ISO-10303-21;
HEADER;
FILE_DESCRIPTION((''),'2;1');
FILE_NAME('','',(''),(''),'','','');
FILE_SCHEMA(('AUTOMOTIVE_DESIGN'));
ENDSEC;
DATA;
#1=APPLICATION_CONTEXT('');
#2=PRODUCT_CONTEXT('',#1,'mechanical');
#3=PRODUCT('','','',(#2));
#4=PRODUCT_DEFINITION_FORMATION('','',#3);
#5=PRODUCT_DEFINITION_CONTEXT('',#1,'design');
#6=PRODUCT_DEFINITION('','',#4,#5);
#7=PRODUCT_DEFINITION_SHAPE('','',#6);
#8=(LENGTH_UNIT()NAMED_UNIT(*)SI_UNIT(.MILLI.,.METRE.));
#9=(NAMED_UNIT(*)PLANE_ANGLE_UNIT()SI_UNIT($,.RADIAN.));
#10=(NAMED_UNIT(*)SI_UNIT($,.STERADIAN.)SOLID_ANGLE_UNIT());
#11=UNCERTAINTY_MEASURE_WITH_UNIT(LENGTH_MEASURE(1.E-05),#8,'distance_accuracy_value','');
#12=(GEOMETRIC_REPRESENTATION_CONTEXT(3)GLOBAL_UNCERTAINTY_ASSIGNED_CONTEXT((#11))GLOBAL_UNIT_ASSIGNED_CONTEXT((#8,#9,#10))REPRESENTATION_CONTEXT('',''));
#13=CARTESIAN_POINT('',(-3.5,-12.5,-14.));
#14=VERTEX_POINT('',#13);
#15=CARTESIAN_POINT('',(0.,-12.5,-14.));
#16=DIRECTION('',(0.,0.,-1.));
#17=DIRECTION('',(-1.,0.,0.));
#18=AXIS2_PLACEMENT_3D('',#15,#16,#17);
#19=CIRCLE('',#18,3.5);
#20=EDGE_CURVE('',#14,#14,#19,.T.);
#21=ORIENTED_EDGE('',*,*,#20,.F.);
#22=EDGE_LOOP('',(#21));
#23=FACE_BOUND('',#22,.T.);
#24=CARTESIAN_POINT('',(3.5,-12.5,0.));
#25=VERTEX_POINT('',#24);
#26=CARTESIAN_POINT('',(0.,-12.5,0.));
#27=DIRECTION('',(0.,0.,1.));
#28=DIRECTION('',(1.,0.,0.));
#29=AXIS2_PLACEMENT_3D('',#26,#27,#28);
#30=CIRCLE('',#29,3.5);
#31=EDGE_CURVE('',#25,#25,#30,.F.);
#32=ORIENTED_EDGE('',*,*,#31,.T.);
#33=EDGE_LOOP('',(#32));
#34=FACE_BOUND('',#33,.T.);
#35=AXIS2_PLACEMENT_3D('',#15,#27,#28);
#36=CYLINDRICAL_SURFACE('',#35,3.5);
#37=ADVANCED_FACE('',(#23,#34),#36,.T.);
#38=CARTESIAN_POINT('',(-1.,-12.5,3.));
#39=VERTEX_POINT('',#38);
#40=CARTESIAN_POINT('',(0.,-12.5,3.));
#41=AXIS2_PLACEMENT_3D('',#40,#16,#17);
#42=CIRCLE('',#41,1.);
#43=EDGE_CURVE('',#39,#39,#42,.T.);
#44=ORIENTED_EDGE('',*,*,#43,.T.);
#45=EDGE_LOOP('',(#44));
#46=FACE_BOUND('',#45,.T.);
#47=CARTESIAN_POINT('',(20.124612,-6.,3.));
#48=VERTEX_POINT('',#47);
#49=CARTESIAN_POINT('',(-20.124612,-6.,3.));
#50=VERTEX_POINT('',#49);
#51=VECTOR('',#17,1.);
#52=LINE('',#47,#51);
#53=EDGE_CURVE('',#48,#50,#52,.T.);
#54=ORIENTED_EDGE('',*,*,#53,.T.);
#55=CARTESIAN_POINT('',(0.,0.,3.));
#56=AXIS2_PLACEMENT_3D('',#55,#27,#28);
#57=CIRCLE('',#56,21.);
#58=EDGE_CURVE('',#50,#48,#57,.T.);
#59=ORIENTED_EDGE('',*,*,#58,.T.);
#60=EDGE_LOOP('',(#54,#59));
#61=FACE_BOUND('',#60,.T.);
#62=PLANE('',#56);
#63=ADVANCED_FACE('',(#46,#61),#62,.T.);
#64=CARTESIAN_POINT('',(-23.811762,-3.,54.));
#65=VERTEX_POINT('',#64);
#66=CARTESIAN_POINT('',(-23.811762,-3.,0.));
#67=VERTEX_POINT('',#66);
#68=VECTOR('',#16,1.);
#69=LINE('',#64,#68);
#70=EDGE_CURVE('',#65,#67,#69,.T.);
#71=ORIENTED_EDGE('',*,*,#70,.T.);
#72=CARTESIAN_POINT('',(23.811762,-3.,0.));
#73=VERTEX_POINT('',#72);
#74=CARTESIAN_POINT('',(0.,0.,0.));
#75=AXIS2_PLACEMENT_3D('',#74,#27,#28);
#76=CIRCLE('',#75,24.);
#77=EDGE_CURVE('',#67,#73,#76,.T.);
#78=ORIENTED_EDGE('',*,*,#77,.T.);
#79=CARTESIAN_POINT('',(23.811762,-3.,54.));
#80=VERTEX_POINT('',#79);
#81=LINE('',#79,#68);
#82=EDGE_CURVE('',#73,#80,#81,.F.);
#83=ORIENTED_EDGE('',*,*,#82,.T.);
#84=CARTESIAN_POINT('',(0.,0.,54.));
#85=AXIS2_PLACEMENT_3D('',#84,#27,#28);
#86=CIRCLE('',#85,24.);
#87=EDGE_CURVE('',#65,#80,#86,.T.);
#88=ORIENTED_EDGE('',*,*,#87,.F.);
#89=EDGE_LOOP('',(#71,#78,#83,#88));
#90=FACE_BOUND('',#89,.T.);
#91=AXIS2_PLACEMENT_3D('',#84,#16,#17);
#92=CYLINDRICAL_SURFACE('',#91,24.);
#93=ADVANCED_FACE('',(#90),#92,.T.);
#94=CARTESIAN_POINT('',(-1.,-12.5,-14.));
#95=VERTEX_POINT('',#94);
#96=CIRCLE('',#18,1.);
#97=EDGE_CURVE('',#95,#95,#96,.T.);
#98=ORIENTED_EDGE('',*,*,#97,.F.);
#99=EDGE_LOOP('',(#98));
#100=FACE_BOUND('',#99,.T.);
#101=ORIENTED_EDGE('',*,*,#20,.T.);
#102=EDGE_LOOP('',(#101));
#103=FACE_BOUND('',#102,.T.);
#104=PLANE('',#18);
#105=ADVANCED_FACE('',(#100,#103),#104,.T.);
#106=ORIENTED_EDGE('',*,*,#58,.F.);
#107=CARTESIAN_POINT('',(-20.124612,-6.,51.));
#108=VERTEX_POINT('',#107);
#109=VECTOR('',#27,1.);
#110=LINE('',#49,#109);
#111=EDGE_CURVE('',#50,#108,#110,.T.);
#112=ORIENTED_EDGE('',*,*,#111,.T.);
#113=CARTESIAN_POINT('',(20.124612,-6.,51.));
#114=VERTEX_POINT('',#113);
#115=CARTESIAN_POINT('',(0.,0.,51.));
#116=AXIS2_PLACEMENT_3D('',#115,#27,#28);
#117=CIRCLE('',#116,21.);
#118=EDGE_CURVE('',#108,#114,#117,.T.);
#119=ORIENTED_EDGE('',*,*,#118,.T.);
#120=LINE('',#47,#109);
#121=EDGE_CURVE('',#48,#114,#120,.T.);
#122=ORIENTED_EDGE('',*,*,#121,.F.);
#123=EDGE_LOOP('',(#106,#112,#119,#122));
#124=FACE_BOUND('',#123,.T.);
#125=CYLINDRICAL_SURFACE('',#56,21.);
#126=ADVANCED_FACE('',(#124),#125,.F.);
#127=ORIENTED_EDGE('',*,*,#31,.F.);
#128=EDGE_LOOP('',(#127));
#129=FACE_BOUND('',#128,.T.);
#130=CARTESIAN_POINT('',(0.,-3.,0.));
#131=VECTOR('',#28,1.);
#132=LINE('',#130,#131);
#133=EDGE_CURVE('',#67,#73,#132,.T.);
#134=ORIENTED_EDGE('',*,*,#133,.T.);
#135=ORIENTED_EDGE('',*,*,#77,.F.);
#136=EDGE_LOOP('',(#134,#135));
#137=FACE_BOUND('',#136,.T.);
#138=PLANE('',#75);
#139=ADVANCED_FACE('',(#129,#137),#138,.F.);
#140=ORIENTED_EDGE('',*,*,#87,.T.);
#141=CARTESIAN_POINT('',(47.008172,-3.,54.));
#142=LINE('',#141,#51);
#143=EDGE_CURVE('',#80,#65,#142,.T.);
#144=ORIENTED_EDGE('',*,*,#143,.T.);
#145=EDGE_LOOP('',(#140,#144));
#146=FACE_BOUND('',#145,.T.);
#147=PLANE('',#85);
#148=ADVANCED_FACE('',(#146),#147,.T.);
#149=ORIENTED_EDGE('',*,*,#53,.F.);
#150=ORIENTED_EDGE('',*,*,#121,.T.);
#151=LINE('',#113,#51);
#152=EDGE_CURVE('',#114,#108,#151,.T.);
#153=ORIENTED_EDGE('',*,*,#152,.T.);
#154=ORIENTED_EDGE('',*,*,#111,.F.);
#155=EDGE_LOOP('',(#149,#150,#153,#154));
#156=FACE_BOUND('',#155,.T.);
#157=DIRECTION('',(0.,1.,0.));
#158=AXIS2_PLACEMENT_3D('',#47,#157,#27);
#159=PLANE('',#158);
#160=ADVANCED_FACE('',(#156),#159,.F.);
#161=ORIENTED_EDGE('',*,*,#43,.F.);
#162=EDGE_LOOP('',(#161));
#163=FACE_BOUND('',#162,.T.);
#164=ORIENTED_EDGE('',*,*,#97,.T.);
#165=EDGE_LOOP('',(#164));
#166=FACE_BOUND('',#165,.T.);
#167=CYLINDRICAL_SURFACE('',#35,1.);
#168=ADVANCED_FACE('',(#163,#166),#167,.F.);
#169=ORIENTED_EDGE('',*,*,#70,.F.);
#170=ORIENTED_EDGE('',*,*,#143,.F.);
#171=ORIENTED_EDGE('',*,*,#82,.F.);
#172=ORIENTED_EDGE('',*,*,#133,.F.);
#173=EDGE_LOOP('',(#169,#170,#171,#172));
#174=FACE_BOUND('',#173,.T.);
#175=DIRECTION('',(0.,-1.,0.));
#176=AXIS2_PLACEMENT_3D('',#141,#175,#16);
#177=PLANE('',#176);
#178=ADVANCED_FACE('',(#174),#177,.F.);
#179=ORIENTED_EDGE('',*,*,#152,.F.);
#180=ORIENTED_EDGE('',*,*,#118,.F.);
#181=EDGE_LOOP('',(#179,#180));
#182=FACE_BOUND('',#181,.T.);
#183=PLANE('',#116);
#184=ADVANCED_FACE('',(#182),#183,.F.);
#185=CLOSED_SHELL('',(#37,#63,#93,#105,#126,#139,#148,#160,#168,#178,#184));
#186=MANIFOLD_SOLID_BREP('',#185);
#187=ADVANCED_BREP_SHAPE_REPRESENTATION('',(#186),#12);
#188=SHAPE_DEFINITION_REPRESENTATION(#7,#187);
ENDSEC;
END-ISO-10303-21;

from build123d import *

# Parameters (mm, degrees)
SKETCH1_R           = 24
BOSS_EXTRUDE1_DEPTH = 54
SKETCH2_W           = 90.000197778
SKETCH2_H           = 36.253247866
CUT_EXTRUDE1_DEPTH  = 64.780874876
SKETCH3_R           = 3.5
SKETCH3_R_2         = 1
BOSS_EXTRUDE2_DEPTH = 14
CUT_EXTRUDE2_DEPTH  = 48
CUT_EXTRUDE3_START  = -3
SKETCH5_R           = 1
CUT_EXTRUDE3_DEPTH  = 3


with BuildPart() as part:
    # Sketch1 → Boss-Extrude1 (new body)
    with BuildSketch(Plane.XY):
        Circle(SKETCH1_R)
    extrude(amount=BOSS_EXTRUDE1_DEPTH)

    # Sketch2 → Cut-Extrude1 (cut, through all)
    with BuildSketch(Plane(origin=(0, 0, 0), x_dir=(-1, 0, 0), z_dir=(0, 0, -1))):
        with Locations((-2.008073343, 15.126623933)):
            Rectangle(SKETCH2_W, SKETCH2_H)
    extrude(amount=-CUT_EXTRUDE1_DEPTH, mode=Mode.SUBTRACT)

    # Sketch3 → Boss-Extrude2 (add)
    with BuildSketch(Plane(origin=(0, 0, 0), x_dir=(-1, 0, 0), z_dir=(0, 0, -1))):
        with Locations(Location((0, -12.5, 0), (0, 0, 180))):
            Circle(SKETCH3_R)
        with Locations((0, -12.5)):
            Circle(SKETCH3_R_2, mode=Mode.SUBTRACT)
    extrude(amount=BOSS_EXTRUDE2_DEPTH)

    # Sketch4 → Cut-Extrude2 (cut)
    with BuildSketch(Plane.XY.offset(51)):
        with BuildLine():
            Line((20.124611797, -6), (-20.124611797, -6))
            ThreePointArc((-20.124611797, -6), (0, -21), (20.124611797, -6))
        make_face()
    extrude(amount=-CUT_EXTRUDE2_DEPTH, mode=Mode.SUBTRACT)

    # Sketch5 → Cut-Extrude3 (cut)
    with BuildSketch(Plane(origin=(0, 0, 0), x_dir=(-1, 0, 0), z_dir=(0, 0, -1)).offset(CUT_EXTRUDE3_START)):
        with Locations((0, -12.5)):
            Circle(SKETCH5_R)
    extrude(amount=CUT_EXTRUDE3_DEPTH, mode=Mode.SUBTRACT)


solid = part.part
